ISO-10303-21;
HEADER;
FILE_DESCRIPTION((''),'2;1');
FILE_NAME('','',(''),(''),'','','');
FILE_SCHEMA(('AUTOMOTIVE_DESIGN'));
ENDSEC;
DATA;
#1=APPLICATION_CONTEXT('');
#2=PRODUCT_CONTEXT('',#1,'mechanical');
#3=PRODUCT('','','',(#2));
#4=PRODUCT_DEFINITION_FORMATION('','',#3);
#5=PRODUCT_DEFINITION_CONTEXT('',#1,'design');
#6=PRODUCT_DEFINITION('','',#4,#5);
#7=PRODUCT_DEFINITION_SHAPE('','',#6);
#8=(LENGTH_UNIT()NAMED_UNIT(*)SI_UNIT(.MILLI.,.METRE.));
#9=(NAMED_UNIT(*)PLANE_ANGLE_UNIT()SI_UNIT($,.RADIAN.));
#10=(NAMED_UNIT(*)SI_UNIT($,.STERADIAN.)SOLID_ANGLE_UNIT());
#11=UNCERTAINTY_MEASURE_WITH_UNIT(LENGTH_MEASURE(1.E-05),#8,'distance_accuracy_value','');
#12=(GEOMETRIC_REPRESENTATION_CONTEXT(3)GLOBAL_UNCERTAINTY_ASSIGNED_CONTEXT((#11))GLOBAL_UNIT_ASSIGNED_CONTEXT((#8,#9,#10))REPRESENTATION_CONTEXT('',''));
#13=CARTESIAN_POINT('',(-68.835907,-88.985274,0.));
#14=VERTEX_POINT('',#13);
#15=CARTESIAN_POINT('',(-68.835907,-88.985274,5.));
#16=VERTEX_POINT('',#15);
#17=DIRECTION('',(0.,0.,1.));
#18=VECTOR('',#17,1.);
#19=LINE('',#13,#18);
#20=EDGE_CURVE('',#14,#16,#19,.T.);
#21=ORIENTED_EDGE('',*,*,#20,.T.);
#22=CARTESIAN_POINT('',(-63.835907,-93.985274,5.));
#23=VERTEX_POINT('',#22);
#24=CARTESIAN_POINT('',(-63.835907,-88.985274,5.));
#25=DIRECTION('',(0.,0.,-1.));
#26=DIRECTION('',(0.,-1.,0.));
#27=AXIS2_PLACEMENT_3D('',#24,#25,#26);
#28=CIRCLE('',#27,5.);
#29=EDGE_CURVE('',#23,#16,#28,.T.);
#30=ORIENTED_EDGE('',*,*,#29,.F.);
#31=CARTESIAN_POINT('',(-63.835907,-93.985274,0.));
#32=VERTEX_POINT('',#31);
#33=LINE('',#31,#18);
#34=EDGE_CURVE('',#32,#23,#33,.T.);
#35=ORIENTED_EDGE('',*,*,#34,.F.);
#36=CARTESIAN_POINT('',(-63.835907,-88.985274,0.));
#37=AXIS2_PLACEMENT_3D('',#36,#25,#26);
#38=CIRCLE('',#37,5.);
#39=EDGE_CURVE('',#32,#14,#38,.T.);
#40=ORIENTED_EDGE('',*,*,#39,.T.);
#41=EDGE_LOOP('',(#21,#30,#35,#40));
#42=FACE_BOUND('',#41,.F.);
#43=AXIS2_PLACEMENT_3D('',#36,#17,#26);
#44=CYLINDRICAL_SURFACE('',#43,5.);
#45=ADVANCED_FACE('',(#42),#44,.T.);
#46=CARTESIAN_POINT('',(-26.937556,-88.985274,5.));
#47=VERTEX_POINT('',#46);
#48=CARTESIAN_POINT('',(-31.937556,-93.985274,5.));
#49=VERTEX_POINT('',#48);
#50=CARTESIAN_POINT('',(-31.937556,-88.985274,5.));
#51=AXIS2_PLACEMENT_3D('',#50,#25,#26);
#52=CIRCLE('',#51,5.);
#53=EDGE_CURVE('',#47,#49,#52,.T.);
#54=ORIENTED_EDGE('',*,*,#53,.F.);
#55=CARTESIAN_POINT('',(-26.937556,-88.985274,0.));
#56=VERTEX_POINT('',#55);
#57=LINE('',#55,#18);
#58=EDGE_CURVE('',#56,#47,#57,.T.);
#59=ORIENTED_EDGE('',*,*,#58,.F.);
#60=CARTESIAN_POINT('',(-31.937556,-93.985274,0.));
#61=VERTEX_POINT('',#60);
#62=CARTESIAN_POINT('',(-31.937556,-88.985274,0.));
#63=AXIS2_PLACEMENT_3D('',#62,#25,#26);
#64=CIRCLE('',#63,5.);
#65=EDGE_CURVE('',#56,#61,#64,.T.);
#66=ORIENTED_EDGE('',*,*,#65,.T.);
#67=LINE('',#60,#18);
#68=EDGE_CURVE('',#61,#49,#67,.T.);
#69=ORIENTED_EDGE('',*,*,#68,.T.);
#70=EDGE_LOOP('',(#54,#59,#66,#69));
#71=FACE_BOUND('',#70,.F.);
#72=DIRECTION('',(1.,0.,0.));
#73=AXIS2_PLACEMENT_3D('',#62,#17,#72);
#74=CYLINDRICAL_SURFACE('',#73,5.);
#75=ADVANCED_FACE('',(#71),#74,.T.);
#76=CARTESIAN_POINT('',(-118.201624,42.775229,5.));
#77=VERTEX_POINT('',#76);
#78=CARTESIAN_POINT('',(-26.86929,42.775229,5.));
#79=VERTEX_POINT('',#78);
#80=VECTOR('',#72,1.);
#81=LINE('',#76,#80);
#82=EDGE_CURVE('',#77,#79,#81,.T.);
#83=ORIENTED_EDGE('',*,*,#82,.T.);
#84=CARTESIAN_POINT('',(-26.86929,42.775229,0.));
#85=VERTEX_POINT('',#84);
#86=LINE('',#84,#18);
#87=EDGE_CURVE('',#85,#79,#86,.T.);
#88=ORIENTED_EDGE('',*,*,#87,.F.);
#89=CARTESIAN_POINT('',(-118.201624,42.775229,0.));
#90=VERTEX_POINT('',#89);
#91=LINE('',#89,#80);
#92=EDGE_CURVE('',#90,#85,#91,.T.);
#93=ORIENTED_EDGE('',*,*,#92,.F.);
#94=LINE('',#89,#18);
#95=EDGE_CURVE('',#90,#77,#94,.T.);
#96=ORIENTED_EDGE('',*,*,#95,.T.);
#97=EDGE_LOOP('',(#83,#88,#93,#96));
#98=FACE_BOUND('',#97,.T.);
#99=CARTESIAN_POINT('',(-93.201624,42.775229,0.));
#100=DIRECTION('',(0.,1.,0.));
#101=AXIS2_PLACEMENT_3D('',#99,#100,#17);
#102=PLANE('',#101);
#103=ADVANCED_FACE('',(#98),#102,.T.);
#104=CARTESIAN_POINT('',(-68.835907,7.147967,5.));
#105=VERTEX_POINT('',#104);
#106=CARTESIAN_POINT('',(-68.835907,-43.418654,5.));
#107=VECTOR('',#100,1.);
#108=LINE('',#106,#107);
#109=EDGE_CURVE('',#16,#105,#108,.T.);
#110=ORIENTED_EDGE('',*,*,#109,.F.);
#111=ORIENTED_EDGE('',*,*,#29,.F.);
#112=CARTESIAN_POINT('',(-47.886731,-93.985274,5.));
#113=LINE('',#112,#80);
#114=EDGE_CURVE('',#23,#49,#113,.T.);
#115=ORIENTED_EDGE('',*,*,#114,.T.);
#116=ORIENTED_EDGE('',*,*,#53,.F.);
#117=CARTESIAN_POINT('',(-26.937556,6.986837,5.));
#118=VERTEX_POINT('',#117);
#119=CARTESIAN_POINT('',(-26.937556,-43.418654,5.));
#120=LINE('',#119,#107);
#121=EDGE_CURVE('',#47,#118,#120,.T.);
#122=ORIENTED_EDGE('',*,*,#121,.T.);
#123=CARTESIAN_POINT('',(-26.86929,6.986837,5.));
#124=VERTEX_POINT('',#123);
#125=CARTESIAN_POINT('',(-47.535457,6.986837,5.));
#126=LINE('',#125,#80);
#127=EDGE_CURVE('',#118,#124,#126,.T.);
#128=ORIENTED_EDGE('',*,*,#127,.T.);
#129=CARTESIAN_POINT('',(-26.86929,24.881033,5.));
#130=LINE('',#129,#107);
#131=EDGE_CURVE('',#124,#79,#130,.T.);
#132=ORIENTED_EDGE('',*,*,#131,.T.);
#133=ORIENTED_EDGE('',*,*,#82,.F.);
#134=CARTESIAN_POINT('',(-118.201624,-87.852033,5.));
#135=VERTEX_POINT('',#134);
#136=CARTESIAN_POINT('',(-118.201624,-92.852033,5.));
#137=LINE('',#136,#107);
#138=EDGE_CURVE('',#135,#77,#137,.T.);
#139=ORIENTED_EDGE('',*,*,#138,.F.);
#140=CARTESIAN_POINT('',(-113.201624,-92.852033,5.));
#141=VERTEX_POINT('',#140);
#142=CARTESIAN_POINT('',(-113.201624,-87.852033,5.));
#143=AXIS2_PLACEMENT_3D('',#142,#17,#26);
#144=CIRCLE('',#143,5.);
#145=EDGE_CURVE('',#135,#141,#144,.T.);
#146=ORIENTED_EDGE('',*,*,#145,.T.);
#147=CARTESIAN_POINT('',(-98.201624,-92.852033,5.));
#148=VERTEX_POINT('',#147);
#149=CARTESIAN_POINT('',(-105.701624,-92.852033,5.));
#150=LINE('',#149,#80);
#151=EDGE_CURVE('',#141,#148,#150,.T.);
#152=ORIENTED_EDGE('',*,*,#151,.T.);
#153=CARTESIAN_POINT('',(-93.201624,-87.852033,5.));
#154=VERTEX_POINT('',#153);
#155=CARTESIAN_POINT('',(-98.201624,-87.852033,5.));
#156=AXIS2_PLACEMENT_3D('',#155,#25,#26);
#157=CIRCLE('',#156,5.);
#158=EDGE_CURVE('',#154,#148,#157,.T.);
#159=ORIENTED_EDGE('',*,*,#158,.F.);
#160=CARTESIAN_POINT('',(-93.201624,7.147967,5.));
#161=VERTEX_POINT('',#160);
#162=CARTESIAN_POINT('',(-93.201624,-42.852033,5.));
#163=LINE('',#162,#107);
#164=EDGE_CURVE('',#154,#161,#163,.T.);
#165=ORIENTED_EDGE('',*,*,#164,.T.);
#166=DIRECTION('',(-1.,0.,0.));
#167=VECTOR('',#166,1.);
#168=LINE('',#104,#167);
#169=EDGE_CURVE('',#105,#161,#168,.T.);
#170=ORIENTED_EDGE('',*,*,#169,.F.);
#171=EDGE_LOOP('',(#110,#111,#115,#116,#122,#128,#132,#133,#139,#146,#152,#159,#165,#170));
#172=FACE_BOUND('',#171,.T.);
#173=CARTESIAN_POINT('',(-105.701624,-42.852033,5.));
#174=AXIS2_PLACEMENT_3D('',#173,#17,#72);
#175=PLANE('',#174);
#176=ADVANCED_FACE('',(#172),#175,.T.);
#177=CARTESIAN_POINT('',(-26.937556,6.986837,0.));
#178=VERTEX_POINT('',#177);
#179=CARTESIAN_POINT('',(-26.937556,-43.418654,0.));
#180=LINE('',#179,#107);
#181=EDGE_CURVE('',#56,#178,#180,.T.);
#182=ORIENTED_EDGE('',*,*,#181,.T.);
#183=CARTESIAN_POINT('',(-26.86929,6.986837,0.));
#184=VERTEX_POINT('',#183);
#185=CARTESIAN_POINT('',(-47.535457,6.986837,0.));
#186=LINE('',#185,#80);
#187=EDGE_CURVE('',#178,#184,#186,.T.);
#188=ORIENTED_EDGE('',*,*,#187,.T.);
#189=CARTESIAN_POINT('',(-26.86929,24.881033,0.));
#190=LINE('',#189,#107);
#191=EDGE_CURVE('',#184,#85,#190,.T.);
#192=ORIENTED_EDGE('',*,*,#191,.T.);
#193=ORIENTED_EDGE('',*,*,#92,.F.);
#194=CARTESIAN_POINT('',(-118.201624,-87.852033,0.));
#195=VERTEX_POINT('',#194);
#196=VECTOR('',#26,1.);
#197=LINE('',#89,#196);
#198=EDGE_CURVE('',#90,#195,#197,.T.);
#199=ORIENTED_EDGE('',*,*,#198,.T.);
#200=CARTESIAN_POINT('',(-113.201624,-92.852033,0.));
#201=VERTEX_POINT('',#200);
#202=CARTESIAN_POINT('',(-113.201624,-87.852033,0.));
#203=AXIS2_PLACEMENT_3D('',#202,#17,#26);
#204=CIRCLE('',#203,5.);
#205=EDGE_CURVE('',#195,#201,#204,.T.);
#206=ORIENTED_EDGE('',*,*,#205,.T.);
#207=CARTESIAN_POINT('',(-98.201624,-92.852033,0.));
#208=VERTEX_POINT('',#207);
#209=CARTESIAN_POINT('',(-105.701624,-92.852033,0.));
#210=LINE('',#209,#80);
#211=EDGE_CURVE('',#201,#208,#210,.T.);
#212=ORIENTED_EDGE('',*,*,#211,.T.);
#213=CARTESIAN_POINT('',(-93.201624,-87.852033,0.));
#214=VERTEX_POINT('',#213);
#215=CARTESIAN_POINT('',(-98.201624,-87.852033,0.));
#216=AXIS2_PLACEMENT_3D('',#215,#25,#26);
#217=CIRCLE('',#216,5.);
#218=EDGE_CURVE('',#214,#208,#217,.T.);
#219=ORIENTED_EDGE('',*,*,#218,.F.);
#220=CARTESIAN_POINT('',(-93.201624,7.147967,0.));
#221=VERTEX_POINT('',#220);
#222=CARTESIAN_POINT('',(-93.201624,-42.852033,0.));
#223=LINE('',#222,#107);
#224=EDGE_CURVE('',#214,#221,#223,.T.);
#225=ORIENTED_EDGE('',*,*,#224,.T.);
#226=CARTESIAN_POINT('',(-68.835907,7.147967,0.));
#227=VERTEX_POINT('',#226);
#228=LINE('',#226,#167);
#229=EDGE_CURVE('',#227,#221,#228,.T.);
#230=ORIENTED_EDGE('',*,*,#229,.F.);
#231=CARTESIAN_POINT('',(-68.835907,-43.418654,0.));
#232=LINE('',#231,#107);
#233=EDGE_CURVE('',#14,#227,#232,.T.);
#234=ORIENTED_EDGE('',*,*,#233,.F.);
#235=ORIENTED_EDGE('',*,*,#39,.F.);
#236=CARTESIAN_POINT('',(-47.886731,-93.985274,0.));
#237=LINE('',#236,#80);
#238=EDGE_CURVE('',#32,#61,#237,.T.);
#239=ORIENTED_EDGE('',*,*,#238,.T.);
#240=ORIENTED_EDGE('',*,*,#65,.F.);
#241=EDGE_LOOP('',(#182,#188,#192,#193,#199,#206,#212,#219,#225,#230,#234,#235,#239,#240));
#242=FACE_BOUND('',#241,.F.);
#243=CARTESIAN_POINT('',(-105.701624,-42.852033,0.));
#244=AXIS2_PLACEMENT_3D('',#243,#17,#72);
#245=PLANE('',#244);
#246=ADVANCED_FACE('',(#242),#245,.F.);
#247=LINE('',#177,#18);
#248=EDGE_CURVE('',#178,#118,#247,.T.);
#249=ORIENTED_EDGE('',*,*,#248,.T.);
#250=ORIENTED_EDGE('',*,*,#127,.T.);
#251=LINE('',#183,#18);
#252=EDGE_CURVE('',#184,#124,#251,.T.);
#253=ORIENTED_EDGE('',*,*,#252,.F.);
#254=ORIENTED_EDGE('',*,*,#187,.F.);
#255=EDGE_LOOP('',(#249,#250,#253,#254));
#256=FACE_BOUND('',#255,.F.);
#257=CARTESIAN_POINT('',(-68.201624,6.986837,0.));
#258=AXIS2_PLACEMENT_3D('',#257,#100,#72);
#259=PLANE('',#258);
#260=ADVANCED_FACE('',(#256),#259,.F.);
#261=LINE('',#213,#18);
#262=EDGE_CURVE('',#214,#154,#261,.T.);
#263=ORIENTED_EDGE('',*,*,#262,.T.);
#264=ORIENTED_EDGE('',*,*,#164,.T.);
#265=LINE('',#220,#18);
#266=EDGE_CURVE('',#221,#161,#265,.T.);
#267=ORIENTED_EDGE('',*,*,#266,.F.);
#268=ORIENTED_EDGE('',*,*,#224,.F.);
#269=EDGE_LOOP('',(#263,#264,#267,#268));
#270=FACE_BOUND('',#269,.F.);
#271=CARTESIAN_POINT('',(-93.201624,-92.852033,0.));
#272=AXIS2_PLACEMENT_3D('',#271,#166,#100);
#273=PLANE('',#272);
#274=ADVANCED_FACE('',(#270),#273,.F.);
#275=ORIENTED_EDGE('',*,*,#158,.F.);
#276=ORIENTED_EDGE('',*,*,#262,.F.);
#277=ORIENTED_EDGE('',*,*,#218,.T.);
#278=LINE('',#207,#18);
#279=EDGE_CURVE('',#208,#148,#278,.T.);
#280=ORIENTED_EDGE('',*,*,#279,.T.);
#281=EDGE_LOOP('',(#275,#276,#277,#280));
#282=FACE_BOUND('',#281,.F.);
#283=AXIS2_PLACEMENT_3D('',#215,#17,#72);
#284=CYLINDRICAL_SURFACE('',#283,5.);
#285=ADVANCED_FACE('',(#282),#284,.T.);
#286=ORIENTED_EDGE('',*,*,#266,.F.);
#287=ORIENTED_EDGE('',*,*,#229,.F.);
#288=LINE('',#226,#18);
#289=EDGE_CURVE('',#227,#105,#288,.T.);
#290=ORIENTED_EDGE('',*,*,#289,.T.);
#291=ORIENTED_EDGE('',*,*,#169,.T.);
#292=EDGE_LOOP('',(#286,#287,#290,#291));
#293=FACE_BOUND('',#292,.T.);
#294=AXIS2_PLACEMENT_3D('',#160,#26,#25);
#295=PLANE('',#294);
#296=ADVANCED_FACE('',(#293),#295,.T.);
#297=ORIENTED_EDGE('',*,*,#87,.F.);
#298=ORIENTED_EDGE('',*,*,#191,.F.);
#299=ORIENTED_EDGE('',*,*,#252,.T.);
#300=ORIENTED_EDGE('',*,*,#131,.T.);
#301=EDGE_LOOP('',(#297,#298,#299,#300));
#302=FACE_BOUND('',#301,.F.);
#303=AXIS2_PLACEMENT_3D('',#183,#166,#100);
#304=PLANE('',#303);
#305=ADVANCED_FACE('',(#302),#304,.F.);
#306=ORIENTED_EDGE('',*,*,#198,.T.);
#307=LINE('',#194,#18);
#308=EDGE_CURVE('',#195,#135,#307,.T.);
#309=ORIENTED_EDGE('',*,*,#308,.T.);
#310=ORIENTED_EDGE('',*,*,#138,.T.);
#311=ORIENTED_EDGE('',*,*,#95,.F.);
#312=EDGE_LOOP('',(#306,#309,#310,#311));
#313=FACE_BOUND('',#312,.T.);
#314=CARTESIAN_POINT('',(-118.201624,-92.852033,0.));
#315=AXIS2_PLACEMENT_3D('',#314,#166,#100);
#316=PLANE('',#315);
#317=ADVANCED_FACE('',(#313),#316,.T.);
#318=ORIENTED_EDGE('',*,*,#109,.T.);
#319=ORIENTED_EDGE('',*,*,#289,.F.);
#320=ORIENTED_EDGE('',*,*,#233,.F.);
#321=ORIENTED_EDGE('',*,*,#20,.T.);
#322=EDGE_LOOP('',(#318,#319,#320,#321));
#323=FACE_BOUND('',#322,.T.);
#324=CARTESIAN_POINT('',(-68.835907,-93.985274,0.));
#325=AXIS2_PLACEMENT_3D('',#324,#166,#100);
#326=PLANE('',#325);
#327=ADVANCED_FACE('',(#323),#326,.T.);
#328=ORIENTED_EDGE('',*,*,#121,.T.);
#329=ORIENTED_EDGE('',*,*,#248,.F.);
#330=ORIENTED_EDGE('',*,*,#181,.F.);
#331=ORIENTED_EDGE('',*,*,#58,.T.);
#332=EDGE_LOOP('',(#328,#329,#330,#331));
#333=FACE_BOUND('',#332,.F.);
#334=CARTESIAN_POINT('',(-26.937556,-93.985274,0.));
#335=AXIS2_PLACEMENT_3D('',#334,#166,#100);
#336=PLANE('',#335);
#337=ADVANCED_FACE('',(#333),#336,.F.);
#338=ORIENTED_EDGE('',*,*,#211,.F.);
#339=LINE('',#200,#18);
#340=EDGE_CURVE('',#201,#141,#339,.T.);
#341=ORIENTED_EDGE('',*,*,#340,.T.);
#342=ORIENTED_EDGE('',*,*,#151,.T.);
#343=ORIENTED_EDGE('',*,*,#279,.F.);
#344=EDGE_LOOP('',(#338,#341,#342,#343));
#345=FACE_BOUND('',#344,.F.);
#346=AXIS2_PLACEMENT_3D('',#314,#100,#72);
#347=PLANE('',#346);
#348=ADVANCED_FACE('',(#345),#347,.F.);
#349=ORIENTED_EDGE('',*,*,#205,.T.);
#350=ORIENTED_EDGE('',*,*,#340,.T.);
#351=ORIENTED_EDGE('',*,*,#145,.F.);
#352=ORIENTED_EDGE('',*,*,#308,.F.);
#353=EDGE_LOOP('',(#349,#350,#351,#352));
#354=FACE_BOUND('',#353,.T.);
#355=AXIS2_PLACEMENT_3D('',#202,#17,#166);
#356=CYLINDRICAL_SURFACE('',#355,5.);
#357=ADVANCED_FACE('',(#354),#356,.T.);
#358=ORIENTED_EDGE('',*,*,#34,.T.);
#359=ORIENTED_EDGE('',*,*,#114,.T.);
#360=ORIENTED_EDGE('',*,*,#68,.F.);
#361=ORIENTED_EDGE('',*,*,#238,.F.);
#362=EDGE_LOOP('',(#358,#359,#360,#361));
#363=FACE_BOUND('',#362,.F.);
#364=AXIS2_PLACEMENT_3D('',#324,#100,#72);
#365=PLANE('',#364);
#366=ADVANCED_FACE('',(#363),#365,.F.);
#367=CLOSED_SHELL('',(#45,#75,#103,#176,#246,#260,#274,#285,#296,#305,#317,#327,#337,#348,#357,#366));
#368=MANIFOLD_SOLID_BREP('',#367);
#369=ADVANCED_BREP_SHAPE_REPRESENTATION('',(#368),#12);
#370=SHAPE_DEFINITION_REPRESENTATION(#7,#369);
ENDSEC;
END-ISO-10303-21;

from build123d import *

# Parameters (mm, degrees)
F0_W     = 41.33233428
F0_H     = 35.7883912511
F1_DEPTH = 5
F2_W     = 41.8983511627
F2_H     = 101.1332413182
F3_DEPTH = 5
F4_DEPTH = 25
F5_DEPTH = 25
F6_W     = 25
F6_H     = 100
F7_DEPTH = 5
F8_R     = 5


with BuildPart() as f1:
    # F0 (on Top) → F1 (new body)
    with BuildSketch(Plane.XY):
        with Locations((-47.535456717, 24.881032994)):
            Rectangle(F0_W, F0_H)
    extrude(amount=F1_DEPTH)

    # F2 (on Top) → F3 (join)
    with BuildSketch(Plane.XY):
        with Locations((-47.8867311031, -43.418653775)):
            Rectangle(F2_W, F2_H)
    extrude(amount=F3_DEPTH)

    # F4 (add): a face of the model
    f4_faces = [f1.faces().sort_by_distance(p)[0] for p in [
        (-68.201623857, 24.9615977518, 2.5),
    ]]
    extrude(f4_faces, amount=F4_DEPTH)

    # F5 (add): a face of the model
    f5_faces = [f1.faces().sort_by_distance(p)[0] for p in [
        (-93.201623857, 24.9615977518, 2.5),
    ]]
    extrude(f5_faces, amount=F5_DEPTH)

    # F6 (on Top) → F7 (join)
    with BuildSketch(Plane.XY):
        with Locations((-105.701623857, -42.8520331159)):
            Rectangle(F6_W, F6_H)
    extrude(amount=F7_DEPTH)

    # F8
    f8_edges = [f1.edges().sort_by_distance(p)[0] for p in [
        (-118.201624, -92.852033, 2.5),
        (-93.201624, -92.852033, 2.5),
        (-68.835907, -93.985274, 2.5),
        (-26.937556, -93.985274, 2.5),
    ]]
    fillet(f8_edges, radius=F8_R)


solid = f1.part
